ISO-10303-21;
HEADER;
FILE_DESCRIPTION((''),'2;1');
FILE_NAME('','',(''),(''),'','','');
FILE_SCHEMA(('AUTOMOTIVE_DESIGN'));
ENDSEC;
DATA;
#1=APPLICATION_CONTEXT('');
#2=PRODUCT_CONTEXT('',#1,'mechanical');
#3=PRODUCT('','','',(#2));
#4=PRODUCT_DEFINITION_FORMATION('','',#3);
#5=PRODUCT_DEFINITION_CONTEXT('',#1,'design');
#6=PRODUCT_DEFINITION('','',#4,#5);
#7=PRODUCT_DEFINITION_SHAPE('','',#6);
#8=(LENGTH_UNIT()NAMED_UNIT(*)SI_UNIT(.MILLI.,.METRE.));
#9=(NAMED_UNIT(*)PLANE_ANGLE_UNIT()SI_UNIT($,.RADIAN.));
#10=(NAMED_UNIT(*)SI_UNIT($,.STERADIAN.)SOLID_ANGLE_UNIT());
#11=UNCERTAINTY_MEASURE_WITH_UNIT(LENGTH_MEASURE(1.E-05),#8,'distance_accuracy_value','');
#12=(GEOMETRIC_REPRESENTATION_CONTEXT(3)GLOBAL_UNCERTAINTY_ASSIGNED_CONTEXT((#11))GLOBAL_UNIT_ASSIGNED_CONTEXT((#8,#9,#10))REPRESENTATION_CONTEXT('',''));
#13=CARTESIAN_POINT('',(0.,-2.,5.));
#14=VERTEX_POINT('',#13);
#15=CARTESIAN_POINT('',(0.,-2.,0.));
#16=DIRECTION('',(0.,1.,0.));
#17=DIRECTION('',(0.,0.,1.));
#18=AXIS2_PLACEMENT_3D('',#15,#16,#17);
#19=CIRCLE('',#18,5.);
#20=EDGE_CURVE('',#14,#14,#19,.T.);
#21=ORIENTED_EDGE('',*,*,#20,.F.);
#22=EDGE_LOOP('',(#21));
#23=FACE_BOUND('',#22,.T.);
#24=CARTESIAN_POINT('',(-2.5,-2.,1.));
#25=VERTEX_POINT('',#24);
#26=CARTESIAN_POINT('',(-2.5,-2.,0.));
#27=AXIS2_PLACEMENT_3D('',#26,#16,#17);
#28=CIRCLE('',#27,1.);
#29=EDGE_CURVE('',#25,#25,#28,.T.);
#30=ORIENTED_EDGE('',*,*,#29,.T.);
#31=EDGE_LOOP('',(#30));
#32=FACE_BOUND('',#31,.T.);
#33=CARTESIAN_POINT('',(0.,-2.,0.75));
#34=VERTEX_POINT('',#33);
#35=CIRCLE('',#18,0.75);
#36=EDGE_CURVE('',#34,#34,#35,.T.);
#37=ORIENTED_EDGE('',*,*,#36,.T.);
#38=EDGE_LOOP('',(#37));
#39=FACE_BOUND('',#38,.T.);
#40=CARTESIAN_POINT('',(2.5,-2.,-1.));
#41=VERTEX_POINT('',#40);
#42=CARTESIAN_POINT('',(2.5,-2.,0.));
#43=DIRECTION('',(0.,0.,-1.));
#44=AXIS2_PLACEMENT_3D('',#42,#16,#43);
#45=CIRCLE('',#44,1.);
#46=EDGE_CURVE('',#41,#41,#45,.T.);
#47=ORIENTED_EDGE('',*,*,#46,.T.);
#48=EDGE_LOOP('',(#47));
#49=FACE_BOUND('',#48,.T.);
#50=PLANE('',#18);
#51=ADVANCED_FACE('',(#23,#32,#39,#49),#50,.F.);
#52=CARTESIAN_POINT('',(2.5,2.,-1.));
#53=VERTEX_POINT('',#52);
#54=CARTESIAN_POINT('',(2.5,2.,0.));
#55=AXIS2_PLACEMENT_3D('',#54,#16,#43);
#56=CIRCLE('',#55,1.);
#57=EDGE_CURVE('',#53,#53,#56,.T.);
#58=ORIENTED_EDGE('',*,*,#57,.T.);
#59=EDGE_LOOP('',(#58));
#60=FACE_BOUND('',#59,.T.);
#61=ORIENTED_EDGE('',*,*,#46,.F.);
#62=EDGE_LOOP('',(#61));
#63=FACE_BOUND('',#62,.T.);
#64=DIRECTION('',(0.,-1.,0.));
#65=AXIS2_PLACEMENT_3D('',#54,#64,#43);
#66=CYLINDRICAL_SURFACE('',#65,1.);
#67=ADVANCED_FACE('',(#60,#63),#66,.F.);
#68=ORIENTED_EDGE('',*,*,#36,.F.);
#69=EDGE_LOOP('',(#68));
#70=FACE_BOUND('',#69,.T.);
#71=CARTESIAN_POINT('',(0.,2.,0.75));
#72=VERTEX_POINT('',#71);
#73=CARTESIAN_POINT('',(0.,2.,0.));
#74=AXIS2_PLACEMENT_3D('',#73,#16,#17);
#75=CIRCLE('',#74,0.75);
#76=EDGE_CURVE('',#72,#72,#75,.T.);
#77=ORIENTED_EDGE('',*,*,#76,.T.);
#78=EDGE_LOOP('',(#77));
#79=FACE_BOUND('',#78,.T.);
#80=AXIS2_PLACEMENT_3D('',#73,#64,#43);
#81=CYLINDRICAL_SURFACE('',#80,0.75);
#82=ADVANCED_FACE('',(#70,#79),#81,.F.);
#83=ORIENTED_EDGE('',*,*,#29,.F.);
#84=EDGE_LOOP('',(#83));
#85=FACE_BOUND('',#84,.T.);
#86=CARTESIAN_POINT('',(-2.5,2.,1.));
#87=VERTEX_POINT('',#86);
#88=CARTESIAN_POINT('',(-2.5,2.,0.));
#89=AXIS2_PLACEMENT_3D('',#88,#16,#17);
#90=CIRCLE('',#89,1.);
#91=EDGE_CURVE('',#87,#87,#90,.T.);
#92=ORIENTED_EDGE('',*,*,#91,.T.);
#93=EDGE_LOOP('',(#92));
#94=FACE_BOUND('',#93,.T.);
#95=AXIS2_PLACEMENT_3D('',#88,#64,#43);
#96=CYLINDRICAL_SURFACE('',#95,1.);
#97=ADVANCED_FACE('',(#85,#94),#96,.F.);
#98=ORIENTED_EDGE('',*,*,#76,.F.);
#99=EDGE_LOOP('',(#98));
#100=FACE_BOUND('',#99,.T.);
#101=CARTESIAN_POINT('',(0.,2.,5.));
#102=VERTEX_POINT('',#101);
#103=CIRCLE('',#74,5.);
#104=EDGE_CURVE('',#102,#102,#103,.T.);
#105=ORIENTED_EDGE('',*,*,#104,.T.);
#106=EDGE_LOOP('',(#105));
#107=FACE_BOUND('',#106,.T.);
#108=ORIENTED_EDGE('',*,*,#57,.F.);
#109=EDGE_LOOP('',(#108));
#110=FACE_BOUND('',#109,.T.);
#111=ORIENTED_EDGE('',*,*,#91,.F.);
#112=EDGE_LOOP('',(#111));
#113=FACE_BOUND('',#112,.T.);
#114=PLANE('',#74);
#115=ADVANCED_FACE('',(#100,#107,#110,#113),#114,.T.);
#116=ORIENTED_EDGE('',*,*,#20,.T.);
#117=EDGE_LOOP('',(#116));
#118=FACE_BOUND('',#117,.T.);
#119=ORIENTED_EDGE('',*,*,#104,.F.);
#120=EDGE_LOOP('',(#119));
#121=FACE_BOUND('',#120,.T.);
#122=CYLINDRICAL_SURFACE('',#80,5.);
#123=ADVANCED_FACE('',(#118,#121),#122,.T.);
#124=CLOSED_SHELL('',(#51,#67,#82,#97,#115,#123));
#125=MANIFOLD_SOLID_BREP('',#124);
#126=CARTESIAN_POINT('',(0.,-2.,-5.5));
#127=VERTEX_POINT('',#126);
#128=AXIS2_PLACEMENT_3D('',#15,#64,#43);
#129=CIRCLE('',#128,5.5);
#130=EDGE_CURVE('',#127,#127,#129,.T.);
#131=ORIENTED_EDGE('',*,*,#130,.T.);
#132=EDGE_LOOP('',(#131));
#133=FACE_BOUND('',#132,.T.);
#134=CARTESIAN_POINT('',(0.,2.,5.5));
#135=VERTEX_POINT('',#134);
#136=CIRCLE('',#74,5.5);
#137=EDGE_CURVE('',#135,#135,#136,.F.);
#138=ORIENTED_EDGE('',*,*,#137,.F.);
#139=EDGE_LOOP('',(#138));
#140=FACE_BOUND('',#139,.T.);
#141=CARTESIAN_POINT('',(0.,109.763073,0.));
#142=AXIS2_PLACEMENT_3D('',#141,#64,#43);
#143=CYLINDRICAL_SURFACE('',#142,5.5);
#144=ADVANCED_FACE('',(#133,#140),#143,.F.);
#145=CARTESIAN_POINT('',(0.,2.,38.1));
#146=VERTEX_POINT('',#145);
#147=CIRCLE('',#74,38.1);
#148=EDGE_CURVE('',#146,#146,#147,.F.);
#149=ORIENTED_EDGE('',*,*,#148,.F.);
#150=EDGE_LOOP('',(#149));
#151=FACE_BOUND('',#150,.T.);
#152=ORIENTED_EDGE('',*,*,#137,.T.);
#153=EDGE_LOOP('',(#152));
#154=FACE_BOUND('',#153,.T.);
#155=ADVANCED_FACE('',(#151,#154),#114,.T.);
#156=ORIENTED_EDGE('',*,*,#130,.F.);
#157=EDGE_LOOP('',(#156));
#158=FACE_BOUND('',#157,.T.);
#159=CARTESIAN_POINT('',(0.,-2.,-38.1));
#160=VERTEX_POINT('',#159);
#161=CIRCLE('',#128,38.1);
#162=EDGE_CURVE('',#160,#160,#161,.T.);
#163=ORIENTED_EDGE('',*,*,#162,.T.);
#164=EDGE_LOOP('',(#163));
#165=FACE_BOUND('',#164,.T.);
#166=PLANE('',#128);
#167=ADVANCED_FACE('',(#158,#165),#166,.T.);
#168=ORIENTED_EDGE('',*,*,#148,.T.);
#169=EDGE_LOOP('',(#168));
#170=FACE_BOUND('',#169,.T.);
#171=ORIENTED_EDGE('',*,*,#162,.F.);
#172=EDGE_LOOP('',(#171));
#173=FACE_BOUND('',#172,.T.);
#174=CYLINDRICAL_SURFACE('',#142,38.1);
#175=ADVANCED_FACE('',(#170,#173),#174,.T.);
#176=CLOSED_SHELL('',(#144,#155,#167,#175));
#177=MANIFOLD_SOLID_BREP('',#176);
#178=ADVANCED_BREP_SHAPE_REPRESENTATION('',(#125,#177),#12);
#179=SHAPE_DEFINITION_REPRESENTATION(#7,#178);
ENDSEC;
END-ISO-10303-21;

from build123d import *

# Parameters (mm, degrees)
SKETCH1_R           = 5
SKETCH1_R_2         = 0.75
SKETCH1_R_3         = 1
BOSS_EXTRUDE1_DEPTH = 2
SKETCH2_R           = 38.1
SKETCH2_R_2         = 5.5
BOSS_EXTRUDE2_DEPTH = 4


with BuildPart() as part:
    # Sketch1 → Boss-Extrude1 (new body, symmetric)
    with BuildSketch(Plane(origin=(0, 0, 0), x_dir=(1, 0, 0), z_dir=(0, 1, 0))):
        Circle(SKETCH1_R)
        Circle(SKETCH1_R_2, mode=Mode.SUBTRACT)
        with Locations((-2.5, 0)):
            Circle(SKETCH1_R_3, mode=Mode.SUBTRACT)
        with Locations((2.5, 0)):
            Circle(SKETCH1_R_3, mode=Mode.SUBTRACT)
    extrude(amount=BOSS_EXTRUDE1_DEPTH, both=True)


with BuildPart() as body_2:
    # Sketch2 → Boss-Extrude2 (new body)
    with BuildSketch(Plane.XZ.offset(2)):
        Circle(SKETCH2_R)
        Circle(SKETCH2_R_2, mode=Mode.SUBTRACT)
    extrude(amount=-BOSS_EXTRUDE2_DEPTH)


solid = Compound([part.part, body_2.part])
